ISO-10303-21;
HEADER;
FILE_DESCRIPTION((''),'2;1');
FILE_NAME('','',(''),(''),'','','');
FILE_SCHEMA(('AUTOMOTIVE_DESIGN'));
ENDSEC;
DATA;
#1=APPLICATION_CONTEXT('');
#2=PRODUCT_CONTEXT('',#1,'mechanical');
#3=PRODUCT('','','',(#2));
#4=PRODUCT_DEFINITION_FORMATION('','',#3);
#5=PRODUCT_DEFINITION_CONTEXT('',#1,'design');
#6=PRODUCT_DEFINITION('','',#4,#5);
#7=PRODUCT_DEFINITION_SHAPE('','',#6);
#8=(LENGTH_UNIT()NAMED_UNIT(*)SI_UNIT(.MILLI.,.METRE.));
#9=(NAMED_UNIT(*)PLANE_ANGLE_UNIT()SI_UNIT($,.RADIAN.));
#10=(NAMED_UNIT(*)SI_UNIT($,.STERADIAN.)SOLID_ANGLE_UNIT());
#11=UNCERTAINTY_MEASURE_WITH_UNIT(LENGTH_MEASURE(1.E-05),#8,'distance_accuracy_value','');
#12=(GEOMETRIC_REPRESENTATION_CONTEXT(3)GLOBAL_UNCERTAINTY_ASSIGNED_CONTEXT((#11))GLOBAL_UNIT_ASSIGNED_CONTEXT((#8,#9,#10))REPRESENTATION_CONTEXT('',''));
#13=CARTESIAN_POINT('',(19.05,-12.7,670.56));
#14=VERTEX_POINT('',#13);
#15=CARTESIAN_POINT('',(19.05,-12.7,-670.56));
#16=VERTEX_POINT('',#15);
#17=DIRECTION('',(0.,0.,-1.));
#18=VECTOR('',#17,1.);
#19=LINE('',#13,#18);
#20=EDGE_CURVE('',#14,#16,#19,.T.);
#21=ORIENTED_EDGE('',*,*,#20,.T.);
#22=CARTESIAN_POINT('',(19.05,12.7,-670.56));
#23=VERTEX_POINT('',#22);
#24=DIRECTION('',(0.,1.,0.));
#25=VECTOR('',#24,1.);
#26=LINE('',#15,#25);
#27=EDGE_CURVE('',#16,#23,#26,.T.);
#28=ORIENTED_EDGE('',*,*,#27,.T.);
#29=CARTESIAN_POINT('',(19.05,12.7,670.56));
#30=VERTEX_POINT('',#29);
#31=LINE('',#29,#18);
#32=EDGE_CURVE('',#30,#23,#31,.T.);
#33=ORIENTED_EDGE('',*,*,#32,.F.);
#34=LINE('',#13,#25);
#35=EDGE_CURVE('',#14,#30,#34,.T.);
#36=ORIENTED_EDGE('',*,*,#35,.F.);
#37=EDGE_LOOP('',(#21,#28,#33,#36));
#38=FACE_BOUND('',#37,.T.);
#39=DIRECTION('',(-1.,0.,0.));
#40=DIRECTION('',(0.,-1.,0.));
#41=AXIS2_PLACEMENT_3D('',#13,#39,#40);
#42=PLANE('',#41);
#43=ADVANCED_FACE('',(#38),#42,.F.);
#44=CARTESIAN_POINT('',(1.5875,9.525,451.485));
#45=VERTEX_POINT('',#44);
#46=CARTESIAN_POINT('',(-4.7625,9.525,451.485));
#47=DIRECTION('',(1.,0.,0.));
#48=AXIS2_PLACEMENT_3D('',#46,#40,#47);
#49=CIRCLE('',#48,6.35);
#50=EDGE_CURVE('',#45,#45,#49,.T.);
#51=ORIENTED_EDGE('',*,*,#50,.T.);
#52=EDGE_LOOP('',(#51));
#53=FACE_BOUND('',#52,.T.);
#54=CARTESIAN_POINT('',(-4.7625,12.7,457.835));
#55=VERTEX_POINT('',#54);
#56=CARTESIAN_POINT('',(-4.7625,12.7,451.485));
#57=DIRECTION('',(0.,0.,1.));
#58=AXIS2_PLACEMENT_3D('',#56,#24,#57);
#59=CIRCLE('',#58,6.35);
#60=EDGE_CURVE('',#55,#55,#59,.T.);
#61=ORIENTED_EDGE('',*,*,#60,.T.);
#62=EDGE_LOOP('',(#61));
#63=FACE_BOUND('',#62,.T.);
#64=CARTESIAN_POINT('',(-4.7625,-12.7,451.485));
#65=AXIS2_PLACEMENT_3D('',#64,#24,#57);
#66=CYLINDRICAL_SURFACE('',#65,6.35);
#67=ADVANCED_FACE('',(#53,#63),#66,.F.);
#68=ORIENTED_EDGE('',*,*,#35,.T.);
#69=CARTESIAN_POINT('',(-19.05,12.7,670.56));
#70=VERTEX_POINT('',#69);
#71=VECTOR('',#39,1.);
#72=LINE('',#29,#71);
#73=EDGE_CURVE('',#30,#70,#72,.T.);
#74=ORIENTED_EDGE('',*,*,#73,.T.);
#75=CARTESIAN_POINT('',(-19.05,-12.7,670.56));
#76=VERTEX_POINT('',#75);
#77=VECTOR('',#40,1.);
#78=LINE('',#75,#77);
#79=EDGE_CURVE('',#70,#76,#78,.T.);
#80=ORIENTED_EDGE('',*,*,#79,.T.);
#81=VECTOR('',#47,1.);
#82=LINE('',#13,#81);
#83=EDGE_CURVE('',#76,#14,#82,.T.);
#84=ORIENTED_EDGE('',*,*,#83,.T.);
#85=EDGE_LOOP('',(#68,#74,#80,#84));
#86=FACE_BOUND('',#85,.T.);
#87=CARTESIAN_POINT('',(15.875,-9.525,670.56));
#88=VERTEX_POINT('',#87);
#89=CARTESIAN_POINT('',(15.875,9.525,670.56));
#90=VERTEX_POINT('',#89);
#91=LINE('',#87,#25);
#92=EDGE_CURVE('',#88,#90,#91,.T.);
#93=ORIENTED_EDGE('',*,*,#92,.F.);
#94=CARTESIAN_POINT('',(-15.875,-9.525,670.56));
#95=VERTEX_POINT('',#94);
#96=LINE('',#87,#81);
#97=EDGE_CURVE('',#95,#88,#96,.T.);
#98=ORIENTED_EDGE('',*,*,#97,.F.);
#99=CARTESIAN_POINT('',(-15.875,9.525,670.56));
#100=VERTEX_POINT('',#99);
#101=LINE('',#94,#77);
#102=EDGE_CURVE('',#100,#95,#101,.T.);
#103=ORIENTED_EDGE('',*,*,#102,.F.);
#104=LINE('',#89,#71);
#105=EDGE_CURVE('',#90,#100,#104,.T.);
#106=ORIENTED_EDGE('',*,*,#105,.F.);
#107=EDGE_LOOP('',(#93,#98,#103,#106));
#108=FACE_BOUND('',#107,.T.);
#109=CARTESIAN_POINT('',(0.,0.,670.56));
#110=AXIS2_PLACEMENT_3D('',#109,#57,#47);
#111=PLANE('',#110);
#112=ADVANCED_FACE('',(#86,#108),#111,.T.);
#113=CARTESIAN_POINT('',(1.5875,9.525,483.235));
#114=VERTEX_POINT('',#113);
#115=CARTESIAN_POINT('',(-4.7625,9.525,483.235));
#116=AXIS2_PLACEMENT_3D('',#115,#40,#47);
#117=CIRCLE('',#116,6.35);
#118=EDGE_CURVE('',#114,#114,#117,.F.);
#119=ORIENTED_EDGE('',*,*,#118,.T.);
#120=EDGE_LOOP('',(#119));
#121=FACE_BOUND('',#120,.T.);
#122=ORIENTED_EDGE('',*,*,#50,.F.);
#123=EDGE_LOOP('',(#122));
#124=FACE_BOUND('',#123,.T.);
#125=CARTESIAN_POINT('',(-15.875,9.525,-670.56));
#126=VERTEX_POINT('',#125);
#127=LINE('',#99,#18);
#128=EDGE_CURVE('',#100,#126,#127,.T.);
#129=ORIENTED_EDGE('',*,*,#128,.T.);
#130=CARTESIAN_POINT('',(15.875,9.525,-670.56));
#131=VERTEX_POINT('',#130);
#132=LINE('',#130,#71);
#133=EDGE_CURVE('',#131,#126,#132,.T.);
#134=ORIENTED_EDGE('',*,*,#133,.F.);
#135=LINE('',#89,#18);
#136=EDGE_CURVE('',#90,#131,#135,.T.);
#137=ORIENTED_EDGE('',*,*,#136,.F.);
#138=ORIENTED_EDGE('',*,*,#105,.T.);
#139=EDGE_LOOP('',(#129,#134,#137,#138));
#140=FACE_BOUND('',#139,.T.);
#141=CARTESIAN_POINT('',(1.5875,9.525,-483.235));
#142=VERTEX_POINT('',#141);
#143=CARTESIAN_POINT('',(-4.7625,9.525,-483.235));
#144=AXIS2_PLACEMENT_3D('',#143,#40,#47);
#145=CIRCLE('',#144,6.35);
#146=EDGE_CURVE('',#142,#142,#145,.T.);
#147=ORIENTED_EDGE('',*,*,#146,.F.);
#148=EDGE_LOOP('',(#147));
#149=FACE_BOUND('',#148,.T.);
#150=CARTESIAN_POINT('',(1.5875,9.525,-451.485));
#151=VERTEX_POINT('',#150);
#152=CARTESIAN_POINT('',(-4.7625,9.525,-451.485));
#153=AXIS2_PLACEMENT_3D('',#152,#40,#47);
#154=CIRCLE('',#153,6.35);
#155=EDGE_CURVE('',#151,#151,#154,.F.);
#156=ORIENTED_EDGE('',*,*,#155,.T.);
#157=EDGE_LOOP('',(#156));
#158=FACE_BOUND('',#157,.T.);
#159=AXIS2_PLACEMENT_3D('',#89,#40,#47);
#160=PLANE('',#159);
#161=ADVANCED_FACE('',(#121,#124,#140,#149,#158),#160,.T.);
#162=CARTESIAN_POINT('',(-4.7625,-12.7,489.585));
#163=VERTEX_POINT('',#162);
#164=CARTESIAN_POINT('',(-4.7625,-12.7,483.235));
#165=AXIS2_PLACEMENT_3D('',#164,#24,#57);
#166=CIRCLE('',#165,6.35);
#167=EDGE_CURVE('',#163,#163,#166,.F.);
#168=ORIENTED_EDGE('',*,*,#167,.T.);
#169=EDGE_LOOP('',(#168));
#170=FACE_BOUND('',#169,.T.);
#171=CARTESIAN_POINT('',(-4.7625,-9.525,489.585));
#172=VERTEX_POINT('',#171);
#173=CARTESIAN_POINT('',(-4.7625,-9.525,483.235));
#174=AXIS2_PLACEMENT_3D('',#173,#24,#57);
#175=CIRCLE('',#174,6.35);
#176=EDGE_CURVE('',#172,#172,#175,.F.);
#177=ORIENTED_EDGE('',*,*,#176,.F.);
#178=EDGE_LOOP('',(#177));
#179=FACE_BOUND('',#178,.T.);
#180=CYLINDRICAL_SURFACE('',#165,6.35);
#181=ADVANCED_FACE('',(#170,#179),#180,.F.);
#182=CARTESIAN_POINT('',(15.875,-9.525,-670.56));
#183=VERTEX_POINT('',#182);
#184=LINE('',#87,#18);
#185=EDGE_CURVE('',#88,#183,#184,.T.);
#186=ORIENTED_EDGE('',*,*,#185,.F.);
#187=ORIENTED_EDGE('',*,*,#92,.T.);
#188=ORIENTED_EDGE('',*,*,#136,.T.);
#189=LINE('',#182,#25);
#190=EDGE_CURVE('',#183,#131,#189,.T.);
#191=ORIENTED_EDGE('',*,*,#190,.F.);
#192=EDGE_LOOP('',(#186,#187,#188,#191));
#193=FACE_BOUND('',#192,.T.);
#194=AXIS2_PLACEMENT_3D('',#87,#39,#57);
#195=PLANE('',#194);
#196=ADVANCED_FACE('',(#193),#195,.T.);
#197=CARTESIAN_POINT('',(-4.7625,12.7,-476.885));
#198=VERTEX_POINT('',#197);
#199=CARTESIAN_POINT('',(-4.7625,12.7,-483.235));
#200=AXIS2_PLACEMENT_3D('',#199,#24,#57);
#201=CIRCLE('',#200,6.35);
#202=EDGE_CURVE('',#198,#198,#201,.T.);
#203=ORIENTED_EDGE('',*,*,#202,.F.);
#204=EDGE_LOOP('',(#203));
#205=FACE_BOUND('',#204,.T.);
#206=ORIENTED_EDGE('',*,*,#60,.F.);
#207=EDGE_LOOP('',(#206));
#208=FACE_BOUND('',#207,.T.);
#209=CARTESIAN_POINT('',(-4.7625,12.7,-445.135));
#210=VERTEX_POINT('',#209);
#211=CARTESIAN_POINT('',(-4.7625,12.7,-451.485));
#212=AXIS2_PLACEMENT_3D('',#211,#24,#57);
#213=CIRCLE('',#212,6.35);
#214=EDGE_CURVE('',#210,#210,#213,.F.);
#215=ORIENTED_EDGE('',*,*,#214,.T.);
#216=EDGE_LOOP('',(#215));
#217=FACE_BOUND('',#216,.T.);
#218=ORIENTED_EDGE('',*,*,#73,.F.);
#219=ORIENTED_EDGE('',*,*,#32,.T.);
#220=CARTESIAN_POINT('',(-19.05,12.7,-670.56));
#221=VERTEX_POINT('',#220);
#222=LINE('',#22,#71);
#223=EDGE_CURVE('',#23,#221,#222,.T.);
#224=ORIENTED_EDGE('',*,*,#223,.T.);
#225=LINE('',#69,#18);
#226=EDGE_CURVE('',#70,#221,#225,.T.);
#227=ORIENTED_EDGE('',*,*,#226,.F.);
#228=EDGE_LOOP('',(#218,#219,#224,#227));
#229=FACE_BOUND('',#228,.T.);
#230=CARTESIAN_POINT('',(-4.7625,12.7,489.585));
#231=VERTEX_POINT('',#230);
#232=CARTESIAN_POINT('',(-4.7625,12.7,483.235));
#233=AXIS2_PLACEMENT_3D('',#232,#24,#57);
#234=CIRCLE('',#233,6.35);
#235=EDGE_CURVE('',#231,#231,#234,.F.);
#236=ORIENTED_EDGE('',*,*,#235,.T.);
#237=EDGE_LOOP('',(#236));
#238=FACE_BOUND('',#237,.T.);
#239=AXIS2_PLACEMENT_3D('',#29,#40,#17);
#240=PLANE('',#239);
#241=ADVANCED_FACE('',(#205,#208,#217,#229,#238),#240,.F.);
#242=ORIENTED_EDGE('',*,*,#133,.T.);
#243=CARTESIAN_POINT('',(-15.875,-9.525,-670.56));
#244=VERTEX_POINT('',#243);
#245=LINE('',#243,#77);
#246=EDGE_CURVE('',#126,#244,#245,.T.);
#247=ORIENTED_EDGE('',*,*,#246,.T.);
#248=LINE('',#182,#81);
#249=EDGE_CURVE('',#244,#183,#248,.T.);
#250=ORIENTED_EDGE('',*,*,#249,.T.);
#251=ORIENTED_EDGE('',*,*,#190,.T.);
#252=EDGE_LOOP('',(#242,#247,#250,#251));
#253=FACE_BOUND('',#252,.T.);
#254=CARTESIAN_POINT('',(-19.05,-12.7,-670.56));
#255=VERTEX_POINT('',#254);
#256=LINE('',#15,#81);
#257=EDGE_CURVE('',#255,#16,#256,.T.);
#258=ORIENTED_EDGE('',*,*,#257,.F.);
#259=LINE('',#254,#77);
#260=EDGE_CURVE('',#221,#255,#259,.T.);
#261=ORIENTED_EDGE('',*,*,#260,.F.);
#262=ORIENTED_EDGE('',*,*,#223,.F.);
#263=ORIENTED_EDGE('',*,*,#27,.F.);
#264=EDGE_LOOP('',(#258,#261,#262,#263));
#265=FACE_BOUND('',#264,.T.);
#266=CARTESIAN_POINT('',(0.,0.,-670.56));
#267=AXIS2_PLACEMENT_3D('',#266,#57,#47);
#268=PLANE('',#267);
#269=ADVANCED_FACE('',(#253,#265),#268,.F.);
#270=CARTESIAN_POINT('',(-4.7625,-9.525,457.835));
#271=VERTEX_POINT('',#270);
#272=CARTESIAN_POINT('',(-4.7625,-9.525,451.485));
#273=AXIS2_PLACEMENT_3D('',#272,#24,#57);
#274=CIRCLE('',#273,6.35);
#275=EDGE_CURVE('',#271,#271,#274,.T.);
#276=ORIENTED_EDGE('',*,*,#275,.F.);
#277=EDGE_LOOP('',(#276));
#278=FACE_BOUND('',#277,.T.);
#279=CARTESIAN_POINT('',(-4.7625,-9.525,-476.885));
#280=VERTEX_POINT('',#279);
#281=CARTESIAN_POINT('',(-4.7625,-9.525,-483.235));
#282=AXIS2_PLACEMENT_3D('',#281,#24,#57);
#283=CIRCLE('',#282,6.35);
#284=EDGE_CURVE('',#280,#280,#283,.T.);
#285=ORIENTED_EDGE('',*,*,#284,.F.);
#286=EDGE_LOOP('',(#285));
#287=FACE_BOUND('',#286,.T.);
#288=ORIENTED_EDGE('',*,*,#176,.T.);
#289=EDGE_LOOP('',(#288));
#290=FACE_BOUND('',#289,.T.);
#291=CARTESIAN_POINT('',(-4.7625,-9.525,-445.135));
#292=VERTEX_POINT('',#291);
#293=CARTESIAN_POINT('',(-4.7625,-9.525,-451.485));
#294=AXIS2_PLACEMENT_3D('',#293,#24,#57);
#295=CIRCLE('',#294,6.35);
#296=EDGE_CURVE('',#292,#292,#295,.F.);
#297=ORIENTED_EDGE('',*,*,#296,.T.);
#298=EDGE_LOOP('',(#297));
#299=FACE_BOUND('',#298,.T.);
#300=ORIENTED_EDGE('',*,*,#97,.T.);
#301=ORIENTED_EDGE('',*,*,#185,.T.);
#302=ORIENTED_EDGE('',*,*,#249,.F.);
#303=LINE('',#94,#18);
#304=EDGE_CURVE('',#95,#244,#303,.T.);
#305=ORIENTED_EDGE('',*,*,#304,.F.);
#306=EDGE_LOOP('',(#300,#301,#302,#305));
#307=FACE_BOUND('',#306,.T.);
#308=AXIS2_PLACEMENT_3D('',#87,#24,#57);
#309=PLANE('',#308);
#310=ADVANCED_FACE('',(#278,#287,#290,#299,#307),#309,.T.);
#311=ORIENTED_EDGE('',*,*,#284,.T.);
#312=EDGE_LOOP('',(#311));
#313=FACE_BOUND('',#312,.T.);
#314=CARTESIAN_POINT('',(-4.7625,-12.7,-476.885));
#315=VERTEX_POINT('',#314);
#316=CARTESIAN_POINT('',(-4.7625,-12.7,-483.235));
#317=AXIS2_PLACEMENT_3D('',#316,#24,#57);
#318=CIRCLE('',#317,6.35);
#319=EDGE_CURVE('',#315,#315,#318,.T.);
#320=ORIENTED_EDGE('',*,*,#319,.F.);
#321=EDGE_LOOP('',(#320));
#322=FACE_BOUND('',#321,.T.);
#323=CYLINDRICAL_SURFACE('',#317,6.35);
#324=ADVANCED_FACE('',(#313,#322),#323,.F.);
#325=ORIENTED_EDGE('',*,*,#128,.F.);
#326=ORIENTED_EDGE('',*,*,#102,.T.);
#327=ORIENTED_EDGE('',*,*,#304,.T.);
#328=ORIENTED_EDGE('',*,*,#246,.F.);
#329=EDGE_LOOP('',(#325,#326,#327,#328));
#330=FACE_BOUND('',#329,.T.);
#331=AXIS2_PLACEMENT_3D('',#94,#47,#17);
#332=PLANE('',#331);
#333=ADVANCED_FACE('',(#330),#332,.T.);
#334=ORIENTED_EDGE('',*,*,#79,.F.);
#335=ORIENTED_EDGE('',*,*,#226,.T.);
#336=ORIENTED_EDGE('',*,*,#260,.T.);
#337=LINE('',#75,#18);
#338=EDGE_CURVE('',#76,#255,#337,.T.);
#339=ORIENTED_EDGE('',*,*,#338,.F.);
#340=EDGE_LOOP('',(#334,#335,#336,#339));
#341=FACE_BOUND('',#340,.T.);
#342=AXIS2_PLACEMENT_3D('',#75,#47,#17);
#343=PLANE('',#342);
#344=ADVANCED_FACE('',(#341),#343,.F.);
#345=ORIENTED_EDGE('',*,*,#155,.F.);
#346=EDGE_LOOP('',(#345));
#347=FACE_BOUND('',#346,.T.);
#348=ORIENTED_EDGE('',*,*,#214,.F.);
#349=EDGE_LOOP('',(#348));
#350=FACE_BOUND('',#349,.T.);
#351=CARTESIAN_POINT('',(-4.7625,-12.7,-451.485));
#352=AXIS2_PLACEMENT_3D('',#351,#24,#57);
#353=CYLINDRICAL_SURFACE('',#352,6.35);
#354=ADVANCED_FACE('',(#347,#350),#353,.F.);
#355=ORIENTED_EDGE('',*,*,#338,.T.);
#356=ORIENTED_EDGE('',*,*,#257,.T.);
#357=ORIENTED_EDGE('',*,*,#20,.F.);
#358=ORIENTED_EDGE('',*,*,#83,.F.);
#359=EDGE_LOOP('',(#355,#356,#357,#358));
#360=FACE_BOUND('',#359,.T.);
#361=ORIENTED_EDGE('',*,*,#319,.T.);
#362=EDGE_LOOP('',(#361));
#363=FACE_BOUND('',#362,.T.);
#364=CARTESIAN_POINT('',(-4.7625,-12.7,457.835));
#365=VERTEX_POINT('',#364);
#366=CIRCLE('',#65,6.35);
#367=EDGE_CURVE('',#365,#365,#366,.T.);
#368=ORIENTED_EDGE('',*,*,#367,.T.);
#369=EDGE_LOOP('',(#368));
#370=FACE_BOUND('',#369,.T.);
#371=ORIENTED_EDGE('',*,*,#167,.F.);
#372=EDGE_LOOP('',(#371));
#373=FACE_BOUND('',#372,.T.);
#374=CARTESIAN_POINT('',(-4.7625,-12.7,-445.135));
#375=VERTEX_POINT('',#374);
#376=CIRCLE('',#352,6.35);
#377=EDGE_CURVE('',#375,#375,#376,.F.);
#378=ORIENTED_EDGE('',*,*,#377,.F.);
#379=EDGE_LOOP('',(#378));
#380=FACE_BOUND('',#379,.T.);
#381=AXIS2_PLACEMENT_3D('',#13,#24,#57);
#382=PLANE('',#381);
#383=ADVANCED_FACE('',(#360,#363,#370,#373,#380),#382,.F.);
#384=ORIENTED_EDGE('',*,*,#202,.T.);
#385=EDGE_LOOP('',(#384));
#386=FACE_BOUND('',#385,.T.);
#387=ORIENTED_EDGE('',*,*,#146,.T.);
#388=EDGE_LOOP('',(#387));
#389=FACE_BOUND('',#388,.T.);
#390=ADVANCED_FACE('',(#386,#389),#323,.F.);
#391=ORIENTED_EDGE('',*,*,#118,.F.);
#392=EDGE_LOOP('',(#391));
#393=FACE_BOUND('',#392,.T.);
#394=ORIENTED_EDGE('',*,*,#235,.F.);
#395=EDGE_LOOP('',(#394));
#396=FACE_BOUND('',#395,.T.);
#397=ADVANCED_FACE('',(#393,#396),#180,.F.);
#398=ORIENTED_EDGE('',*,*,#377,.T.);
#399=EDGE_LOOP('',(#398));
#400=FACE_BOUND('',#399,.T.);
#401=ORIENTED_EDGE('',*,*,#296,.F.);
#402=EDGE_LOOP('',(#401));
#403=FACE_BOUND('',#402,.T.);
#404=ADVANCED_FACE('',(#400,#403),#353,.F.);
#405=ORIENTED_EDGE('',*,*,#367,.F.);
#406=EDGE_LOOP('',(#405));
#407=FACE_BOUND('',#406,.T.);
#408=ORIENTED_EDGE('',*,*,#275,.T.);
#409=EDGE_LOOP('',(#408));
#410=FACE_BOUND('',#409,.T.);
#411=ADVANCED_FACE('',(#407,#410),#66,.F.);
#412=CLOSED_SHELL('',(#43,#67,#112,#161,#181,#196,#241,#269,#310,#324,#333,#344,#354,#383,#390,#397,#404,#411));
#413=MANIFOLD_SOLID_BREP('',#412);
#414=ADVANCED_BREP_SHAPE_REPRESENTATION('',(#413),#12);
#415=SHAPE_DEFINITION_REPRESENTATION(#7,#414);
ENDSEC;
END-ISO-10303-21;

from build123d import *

# Parameters (mm, degrees)
BOSS_EXTRUDE1_DEPTH      = 670.56
BOSS_EXTRUDE1_DEPTH_BACK = 670.56
SKETCH3_W                = 38.1
SKETCH3_H                = 25.4
SKETCH3_W_2              = 31.75
SKETCH3_H_2              = 19.05
SKETCH6_R                = 6.35
CUT_EXTRUDE1_DEPTH       = 672.311236387


with BuildPart() as part:
    # Sketch3 → Boss-Extrude1 (new, two sides: drawn at the far end of the back side and taken through both)
    with BuildSketch(Plane.XY.offset(-BOSS_EXTRUDE1_DEPTH_BACK)):
        Rectangle(SKETCH3_W, SKETCH3_H)
        Rectangle(SKETCH3_W_2, SKETCH3_H_2, mode=Mode.SUBTRACT)
    extrude(amount=BOSS_EXTRUDE1_DEPTH + BOSS_EXTRUDE1_DEPTH_BACK)

    # Sketch6 → Cut-Extrude1 (cut, through all)
    with BuildSketch(Plane(origin=(0, 12.7, 0), x_dir=(1, 0, 0), z_dir=(0, 1, 0))):
        with Locations(Location((-4.7625, -451.485, 0), (0, 0, 270))):
            Circle(SKETCH6_R)
        with Locations(Location((-4.7625, -483.235, 0), (0, 0, 270))):
            Circle(SKETCH6_R)
        with Locations(Location((-4.7625, 483.235, 0), (0, 0, 270))):
            Circle(SKETCH6_R)
        with Locations(Location((-4.7625, 451.485, 0), (0, 0, 270))):
            Circle(SKETCH6_R)
    extrude(amount=-CUT_EXTRUDE1_DEPTH, mode=Mode.SUBTRACT)


solid = part.part
